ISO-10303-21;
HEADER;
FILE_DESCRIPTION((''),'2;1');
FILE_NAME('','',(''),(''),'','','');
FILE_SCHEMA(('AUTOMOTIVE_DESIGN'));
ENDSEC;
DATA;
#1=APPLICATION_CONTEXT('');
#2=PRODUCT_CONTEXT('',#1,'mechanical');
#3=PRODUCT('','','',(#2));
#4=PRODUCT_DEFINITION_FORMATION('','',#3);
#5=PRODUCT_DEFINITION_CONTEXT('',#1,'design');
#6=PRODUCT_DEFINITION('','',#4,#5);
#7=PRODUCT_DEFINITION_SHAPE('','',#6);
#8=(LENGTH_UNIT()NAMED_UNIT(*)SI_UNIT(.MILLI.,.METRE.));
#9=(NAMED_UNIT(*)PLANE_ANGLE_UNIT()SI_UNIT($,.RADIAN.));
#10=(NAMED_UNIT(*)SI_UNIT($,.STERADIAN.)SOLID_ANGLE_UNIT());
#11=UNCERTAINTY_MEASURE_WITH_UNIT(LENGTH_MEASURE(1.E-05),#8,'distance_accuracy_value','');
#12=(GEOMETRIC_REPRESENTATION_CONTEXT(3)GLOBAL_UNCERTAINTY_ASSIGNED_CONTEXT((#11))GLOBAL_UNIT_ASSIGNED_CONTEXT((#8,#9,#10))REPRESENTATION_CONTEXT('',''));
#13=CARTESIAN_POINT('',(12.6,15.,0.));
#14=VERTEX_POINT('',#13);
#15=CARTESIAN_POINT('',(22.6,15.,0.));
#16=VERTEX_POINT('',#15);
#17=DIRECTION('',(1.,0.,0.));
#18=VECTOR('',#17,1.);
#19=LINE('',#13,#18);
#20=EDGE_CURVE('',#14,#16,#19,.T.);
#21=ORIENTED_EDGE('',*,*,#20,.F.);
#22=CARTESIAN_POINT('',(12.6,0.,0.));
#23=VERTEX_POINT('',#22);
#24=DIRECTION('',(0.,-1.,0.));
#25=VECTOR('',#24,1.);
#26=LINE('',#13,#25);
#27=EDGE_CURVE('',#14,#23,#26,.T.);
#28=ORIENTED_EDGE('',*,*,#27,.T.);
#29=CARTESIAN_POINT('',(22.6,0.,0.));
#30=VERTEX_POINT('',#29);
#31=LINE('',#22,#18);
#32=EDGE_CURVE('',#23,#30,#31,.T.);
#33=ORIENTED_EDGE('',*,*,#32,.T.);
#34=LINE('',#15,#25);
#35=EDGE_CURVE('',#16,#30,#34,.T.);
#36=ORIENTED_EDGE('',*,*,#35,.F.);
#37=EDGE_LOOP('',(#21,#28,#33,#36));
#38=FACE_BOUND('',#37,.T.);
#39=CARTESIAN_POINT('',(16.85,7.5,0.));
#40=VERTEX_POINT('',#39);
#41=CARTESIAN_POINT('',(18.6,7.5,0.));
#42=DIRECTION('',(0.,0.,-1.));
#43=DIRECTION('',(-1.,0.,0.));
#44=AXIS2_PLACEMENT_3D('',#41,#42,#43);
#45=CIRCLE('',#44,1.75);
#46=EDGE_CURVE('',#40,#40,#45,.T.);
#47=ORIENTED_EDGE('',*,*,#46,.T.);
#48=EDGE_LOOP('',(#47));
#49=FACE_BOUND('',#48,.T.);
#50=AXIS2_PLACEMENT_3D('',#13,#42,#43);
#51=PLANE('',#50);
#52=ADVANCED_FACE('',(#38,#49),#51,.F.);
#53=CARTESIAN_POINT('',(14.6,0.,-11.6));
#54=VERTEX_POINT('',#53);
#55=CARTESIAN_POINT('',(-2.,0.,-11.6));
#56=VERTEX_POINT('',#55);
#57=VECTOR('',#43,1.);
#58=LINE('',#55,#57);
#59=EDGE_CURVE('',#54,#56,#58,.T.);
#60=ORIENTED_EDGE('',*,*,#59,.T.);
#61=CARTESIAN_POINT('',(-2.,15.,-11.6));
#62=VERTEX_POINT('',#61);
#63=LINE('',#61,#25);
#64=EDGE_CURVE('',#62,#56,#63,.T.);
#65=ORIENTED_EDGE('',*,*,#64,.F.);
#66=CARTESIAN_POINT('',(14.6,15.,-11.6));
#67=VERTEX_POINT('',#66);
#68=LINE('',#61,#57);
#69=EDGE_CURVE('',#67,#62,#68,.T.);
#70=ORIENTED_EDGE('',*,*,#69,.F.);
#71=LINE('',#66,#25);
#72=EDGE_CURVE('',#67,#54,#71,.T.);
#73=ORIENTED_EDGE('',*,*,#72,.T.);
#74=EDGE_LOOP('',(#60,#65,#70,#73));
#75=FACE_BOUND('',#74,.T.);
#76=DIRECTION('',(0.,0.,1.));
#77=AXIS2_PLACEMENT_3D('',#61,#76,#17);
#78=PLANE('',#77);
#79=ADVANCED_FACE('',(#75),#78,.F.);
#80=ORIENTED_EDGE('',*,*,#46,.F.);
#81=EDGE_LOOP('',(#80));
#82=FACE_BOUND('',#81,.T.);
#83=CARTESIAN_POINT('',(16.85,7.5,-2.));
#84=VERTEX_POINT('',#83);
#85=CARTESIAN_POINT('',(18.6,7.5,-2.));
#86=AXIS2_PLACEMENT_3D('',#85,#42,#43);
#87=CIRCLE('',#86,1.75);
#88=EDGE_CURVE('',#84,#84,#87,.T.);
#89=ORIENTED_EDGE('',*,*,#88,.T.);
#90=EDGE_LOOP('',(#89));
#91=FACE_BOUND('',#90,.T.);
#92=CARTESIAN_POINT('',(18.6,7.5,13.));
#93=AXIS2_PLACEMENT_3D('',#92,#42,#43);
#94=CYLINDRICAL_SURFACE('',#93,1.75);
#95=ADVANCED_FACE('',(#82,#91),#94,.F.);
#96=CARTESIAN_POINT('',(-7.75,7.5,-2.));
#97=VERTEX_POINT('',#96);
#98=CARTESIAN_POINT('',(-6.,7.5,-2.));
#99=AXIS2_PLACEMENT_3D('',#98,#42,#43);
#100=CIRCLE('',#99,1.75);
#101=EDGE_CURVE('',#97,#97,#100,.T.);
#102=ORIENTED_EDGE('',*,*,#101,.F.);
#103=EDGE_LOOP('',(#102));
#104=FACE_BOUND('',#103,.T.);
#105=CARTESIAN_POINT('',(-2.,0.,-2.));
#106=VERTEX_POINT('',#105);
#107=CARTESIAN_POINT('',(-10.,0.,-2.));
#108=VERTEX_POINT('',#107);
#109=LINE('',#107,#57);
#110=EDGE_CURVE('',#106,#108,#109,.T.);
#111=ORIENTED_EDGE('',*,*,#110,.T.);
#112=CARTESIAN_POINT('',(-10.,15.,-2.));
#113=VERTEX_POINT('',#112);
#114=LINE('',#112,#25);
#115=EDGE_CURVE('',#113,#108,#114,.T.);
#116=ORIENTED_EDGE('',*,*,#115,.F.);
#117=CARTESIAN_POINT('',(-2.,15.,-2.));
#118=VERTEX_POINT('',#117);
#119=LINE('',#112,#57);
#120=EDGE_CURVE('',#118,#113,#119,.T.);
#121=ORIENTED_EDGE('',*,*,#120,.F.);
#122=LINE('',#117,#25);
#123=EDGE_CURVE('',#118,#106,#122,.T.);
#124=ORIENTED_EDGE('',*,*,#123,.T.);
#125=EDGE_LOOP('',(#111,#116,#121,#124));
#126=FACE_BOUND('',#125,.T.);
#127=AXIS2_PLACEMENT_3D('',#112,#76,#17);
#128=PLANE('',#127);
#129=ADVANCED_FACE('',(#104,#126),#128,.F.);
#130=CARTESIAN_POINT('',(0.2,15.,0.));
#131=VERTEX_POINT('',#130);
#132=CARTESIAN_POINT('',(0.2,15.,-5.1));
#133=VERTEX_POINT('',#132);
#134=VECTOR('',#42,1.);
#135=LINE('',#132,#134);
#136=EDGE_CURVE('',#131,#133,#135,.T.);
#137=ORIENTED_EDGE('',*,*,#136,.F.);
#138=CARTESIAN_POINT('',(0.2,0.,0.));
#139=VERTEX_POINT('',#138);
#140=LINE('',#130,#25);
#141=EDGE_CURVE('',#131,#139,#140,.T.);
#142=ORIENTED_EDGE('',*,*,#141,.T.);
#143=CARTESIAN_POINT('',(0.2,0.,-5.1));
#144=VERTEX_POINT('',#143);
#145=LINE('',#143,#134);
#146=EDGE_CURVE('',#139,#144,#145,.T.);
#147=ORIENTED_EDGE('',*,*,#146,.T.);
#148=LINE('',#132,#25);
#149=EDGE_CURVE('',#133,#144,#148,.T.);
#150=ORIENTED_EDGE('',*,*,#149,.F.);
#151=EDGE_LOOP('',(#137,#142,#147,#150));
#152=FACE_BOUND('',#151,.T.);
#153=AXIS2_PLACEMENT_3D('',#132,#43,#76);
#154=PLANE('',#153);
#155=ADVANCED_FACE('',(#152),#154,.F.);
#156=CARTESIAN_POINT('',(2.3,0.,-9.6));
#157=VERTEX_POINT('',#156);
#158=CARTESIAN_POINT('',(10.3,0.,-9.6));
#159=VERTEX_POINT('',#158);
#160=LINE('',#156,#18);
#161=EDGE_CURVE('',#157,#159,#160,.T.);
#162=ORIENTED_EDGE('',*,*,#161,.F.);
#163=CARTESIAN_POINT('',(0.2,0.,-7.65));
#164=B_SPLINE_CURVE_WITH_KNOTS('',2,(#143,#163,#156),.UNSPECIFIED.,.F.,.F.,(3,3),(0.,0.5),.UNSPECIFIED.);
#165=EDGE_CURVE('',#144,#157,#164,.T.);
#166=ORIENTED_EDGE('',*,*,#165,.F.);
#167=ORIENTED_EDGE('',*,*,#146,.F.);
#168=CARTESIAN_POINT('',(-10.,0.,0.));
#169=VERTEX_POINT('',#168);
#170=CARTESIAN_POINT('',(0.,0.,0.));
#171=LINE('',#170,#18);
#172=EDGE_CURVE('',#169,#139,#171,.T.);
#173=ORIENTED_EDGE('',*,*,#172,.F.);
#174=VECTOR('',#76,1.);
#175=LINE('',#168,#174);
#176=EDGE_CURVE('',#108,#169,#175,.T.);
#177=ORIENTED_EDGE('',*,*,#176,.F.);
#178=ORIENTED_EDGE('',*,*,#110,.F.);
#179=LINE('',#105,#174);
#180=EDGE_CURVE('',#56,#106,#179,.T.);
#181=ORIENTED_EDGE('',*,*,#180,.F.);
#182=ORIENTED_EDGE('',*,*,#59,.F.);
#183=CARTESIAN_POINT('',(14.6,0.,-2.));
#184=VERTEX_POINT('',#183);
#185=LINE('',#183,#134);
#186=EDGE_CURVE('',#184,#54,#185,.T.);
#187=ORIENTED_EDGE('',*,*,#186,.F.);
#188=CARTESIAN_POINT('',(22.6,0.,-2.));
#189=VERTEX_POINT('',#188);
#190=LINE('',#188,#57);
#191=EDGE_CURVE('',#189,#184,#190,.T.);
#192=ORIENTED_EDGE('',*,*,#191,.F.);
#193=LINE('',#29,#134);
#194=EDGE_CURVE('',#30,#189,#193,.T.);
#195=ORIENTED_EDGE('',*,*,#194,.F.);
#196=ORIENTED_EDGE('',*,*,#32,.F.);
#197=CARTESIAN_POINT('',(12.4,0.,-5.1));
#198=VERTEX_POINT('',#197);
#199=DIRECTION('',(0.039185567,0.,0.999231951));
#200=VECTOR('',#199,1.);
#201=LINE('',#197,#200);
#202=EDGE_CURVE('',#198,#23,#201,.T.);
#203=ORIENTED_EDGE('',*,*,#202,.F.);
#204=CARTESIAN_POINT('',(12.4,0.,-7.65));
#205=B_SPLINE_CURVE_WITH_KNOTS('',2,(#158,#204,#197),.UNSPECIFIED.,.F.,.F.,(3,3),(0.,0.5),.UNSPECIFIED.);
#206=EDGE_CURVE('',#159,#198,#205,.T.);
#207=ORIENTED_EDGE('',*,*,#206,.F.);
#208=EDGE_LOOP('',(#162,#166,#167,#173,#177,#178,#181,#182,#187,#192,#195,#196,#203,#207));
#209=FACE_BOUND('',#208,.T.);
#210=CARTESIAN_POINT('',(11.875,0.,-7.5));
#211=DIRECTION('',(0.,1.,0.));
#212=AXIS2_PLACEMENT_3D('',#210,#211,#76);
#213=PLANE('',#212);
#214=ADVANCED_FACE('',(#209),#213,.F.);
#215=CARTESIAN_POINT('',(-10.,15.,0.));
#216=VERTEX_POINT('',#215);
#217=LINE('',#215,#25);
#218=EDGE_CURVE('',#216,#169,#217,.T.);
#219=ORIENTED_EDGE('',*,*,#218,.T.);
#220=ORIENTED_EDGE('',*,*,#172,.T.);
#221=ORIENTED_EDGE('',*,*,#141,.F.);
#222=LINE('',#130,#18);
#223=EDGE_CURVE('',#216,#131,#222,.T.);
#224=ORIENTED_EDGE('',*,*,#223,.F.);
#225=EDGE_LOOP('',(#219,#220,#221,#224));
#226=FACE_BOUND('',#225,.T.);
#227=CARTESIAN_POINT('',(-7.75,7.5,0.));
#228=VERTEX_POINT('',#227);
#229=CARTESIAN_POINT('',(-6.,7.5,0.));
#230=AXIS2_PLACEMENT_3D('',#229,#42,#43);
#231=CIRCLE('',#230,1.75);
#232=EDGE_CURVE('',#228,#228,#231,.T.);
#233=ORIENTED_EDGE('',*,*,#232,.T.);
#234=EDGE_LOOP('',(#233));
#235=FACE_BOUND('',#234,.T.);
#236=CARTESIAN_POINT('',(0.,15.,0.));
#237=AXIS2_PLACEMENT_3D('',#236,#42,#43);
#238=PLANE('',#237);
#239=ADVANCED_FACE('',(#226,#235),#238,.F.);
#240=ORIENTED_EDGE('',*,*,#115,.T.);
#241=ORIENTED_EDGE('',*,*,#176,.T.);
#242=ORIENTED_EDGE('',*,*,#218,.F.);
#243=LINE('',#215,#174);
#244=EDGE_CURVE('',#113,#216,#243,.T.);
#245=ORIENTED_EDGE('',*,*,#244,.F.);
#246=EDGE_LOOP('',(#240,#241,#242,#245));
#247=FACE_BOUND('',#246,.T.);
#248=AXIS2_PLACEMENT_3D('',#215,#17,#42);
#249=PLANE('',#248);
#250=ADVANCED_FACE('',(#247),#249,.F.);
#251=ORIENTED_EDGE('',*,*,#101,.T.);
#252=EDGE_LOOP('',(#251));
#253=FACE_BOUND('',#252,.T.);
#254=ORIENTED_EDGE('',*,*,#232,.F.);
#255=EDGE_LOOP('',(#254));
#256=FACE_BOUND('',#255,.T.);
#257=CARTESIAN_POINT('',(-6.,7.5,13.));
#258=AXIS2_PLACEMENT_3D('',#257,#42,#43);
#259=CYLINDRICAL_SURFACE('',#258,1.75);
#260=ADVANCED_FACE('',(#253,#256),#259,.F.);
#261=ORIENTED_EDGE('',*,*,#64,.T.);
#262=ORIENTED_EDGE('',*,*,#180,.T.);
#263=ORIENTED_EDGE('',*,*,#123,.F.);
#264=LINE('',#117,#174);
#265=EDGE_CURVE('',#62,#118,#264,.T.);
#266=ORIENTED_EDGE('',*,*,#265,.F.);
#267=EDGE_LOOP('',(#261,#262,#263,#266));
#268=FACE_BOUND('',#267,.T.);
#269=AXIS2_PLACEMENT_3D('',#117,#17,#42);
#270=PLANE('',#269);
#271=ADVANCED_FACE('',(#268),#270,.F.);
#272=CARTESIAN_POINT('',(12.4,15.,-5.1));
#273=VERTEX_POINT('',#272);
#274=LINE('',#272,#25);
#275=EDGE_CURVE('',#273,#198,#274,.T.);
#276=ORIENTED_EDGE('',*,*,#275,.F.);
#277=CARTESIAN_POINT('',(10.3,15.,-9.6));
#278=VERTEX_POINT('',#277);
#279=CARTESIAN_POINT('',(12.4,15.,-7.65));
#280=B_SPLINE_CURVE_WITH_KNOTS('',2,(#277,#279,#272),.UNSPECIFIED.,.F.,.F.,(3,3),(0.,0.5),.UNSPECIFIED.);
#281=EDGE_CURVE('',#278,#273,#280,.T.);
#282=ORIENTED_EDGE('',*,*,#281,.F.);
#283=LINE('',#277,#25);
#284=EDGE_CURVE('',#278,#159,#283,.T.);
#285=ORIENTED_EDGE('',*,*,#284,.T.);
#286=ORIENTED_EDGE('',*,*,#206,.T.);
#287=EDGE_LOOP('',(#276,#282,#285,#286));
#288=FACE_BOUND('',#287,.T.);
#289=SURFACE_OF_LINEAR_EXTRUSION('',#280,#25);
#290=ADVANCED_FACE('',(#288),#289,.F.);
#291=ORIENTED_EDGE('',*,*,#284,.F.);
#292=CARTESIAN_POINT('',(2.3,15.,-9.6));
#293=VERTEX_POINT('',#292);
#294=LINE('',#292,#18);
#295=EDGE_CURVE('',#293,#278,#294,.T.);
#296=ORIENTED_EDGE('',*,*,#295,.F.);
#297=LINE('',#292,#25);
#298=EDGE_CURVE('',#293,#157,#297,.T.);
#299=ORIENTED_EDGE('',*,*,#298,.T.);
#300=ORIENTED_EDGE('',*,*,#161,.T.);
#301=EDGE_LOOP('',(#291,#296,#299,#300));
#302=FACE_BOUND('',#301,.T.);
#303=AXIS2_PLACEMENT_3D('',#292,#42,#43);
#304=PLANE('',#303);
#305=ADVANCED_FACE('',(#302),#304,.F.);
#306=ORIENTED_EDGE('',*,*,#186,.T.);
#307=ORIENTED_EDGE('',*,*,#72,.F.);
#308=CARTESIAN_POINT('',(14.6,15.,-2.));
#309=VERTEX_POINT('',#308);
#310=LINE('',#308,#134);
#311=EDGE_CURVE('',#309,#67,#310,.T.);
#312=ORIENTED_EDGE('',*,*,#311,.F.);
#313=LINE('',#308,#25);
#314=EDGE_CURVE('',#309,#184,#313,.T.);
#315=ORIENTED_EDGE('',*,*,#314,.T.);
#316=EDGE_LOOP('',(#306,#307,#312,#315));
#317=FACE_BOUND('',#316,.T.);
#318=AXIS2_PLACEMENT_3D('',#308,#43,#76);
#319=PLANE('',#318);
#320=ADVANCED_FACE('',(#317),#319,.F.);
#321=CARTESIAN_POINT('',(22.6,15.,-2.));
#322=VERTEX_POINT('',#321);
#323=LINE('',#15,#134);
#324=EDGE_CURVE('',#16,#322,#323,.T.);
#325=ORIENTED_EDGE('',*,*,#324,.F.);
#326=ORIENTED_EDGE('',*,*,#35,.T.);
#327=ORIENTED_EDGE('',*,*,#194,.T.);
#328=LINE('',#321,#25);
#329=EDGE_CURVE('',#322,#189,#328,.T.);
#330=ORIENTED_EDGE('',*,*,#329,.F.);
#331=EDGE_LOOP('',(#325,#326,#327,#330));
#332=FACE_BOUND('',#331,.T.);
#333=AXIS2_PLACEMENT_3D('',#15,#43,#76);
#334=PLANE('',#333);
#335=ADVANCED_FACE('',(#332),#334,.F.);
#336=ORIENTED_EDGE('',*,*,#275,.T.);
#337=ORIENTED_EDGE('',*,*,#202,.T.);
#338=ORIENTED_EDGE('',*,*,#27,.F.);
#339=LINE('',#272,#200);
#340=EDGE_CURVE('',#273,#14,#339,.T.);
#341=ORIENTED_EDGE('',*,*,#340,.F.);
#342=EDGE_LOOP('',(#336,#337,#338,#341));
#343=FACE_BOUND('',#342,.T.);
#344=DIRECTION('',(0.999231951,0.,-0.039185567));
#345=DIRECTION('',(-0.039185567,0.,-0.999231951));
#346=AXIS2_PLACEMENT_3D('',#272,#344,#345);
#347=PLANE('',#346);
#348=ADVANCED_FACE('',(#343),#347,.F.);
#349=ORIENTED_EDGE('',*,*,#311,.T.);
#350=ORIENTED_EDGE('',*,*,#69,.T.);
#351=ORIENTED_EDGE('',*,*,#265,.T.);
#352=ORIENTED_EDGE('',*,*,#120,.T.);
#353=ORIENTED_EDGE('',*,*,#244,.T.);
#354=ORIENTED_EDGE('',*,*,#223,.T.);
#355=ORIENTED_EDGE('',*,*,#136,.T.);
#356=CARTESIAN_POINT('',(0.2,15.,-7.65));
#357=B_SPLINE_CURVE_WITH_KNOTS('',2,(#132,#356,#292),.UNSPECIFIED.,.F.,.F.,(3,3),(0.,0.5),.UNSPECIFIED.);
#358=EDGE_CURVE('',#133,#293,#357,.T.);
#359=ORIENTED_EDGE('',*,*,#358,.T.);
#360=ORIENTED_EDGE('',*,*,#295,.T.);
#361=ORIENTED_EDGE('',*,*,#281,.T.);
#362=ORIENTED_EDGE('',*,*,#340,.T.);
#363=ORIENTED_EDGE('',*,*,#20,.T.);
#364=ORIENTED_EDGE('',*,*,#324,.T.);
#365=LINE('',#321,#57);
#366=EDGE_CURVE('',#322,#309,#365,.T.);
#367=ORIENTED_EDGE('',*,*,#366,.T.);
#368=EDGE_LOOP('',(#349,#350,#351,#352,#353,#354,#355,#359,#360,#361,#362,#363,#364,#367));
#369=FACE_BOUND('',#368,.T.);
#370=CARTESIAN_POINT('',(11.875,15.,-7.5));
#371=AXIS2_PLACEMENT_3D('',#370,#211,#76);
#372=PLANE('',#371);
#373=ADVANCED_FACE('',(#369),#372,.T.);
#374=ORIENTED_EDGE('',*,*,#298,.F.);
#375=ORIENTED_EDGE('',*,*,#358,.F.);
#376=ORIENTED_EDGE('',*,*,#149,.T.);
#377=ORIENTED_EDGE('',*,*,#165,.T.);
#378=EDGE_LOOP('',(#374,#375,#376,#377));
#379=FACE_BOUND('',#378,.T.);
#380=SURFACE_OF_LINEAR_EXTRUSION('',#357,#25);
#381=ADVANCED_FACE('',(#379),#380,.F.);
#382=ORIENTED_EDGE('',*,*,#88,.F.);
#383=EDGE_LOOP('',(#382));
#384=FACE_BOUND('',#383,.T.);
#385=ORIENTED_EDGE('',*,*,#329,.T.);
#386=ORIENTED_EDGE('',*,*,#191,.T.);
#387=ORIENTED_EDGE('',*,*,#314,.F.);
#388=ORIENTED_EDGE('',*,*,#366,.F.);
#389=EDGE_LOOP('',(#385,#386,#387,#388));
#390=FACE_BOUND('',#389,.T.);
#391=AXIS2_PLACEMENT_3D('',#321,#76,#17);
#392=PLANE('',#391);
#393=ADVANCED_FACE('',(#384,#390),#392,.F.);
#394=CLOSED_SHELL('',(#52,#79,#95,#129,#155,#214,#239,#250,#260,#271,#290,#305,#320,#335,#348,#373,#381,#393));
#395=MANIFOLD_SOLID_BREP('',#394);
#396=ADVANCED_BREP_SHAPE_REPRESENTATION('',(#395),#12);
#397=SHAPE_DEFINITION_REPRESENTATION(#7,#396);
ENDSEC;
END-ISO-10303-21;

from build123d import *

# Parameters (mm, degrees)
BOSS_EXTRUDE1_DEPTH = 15
SKETCH2_R           = 1.75
CUT_EXTRUDE1_DEPTH  = 15


with BuildPart() as part:
    # Sketch1 → Boss-Extrude1 (new body)
    with BuildSketch(Plane(origin=(0, 0, 0), x_dir=(1, 0, 0), z_dir=(0, 1, 0))):
        with BuildLine():
            Line((12.4, 5.1), (12.6, 0))
            Line((12.6, 0), (22.6, 0))
            Line((22.6, 0), (22.6, 2))
            Line((22.6, 2), (14.6, 2))
            Line((14.6, 2), (14.6, 11.6))
            Line((14.6, 11.6), (-2, 11.6))
            Line((-2, 11.6), (-2, 2))
            Line((-2, 2), (-10, 2))
            Line((-10, 2), (-10, 0))
            Line((-10, 0), (0, 0))
            Line((0, 0), (0.2, 0))
            Line((0.2, 0), (0.2, 5.1))
            add(Edge.make_bspline(
                [(2.3, 9.6), (0.2, 7.65), (0.2, 5.1)],
                knots=[0, 0, 0, 0.5, 0.5, 0.5], degree=2))
            Line((2.3, 9.6), (10.3, 9.6))
            add(Edge.make_bspline(
                [(10.3, 9.6), (12.4, 7.65), (12.4, 5.1)],
                knots=[0, 0, 0, 0.5, 0.5, 0.5], degree=2))
        make_face()
    extrude(amount=BOSS_EXTRUDE1_DEPTH)

    # Sketch2 → Cut-Extrude1 (cut)
    with BuildSketch(Plane(origin=(0, 0, -2), x_dir=(-1, 0, 0), z_dir=(0, 0, -1))):
        with Locations((-18.6, 7.5)):
            Circle(SKETCH2_R)
        with Locations((6, 7.5)):
            Circle(SKETCH2_R)
    extrude(amount=-CUT_EXTRUDE1_DEPTH, mode=Mode.SUBTRACT)


solid = part.part
